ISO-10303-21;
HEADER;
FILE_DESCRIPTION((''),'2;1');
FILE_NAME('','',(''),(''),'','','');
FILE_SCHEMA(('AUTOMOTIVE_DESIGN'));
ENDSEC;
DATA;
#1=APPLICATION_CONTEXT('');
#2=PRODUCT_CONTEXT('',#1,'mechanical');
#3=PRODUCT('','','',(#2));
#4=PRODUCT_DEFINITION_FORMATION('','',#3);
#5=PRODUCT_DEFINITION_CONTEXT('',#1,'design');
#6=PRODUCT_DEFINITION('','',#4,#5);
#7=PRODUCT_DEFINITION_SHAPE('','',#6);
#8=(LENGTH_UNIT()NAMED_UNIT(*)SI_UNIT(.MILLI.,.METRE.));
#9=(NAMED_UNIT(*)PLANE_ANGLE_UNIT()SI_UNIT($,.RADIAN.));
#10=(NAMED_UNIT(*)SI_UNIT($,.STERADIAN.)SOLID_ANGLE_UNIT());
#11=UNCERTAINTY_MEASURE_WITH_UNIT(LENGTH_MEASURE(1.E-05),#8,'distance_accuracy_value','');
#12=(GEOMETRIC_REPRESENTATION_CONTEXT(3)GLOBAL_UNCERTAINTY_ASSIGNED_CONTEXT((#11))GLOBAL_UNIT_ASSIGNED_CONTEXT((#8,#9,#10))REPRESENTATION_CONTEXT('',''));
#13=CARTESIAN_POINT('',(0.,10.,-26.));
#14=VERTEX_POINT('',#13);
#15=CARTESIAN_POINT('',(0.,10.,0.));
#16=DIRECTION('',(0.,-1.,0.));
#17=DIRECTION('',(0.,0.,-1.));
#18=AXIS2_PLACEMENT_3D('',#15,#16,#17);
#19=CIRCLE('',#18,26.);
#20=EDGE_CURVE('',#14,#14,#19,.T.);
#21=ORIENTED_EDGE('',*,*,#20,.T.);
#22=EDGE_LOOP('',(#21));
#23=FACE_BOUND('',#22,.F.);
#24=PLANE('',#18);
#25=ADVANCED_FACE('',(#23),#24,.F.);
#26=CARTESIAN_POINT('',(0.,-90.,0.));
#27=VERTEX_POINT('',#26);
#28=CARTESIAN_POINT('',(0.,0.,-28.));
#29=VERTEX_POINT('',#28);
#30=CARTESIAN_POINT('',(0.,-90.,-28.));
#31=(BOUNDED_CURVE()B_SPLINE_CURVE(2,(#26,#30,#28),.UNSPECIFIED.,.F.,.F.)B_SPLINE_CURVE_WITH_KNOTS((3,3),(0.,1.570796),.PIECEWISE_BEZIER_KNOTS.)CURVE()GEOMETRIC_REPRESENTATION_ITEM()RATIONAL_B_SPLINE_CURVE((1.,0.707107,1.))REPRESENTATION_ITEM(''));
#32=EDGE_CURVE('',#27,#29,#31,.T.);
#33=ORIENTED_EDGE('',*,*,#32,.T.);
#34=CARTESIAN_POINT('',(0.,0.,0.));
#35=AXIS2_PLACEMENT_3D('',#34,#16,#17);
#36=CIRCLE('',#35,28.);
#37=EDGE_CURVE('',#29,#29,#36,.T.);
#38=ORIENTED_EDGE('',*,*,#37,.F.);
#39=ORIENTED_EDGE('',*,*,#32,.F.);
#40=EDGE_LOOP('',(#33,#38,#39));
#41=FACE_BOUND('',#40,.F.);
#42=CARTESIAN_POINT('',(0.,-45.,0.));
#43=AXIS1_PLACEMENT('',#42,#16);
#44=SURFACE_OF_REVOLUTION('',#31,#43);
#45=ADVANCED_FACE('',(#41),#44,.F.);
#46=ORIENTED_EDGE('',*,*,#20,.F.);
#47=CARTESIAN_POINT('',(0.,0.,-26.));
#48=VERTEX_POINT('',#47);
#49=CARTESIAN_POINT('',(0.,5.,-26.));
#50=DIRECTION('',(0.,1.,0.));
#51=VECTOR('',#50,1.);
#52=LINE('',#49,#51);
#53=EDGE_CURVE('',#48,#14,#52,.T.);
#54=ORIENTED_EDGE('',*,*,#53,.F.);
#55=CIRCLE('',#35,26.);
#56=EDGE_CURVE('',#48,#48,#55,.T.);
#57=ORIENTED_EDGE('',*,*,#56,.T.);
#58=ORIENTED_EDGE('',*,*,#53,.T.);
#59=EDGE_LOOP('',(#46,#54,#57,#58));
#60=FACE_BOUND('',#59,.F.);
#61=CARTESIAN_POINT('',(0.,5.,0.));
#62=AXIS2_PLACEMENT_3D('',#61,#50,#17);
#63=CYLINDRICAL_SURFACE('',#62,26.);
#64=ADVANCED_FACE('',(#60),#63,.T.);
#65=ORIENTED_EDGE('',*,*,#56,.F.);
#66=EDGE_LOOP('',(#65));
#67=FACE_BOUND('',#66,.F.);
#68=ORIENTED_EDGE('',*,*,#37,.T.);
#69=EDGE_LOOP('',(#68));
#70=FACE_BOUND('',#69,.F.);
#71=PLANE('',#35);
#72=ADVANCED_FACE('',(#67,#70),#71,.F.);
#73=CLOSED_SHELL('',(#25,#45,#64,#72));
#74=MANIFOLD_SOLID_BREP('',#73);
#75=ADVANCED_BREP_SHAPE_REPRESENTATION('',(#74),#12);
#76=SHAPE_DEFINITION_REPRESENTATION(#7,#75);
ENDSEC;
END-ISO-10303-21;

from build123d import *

# Parameters (mm, degrees)
F0_W = 10
F0_H = 26


with BuildPart() as f1:
    # F0 (on Right) → F1 (revolve)
    with BuildSketch(Plane.YZ):
        with BuildLine():
            Line((0, -26), (0, 0))
            Line((0, 0), (-90, 0))
            add(Edge.make_bspline(
                [(-90, 0), (-90, -28), (0, -28)],
                knots=[0, 0, 0, 1.570796, 1.570796, 1.570796], degree=2, weights=[1, 0.707107, 1]))
            Line((0, -28), (0, -26))
        make_face()
        with Locations((5, -13)):
            Rectangle(F0_W, F0_H)
    revolve(axis=Axis((0, -45, 0), (0, -1, 0)))


solid = f1.part
